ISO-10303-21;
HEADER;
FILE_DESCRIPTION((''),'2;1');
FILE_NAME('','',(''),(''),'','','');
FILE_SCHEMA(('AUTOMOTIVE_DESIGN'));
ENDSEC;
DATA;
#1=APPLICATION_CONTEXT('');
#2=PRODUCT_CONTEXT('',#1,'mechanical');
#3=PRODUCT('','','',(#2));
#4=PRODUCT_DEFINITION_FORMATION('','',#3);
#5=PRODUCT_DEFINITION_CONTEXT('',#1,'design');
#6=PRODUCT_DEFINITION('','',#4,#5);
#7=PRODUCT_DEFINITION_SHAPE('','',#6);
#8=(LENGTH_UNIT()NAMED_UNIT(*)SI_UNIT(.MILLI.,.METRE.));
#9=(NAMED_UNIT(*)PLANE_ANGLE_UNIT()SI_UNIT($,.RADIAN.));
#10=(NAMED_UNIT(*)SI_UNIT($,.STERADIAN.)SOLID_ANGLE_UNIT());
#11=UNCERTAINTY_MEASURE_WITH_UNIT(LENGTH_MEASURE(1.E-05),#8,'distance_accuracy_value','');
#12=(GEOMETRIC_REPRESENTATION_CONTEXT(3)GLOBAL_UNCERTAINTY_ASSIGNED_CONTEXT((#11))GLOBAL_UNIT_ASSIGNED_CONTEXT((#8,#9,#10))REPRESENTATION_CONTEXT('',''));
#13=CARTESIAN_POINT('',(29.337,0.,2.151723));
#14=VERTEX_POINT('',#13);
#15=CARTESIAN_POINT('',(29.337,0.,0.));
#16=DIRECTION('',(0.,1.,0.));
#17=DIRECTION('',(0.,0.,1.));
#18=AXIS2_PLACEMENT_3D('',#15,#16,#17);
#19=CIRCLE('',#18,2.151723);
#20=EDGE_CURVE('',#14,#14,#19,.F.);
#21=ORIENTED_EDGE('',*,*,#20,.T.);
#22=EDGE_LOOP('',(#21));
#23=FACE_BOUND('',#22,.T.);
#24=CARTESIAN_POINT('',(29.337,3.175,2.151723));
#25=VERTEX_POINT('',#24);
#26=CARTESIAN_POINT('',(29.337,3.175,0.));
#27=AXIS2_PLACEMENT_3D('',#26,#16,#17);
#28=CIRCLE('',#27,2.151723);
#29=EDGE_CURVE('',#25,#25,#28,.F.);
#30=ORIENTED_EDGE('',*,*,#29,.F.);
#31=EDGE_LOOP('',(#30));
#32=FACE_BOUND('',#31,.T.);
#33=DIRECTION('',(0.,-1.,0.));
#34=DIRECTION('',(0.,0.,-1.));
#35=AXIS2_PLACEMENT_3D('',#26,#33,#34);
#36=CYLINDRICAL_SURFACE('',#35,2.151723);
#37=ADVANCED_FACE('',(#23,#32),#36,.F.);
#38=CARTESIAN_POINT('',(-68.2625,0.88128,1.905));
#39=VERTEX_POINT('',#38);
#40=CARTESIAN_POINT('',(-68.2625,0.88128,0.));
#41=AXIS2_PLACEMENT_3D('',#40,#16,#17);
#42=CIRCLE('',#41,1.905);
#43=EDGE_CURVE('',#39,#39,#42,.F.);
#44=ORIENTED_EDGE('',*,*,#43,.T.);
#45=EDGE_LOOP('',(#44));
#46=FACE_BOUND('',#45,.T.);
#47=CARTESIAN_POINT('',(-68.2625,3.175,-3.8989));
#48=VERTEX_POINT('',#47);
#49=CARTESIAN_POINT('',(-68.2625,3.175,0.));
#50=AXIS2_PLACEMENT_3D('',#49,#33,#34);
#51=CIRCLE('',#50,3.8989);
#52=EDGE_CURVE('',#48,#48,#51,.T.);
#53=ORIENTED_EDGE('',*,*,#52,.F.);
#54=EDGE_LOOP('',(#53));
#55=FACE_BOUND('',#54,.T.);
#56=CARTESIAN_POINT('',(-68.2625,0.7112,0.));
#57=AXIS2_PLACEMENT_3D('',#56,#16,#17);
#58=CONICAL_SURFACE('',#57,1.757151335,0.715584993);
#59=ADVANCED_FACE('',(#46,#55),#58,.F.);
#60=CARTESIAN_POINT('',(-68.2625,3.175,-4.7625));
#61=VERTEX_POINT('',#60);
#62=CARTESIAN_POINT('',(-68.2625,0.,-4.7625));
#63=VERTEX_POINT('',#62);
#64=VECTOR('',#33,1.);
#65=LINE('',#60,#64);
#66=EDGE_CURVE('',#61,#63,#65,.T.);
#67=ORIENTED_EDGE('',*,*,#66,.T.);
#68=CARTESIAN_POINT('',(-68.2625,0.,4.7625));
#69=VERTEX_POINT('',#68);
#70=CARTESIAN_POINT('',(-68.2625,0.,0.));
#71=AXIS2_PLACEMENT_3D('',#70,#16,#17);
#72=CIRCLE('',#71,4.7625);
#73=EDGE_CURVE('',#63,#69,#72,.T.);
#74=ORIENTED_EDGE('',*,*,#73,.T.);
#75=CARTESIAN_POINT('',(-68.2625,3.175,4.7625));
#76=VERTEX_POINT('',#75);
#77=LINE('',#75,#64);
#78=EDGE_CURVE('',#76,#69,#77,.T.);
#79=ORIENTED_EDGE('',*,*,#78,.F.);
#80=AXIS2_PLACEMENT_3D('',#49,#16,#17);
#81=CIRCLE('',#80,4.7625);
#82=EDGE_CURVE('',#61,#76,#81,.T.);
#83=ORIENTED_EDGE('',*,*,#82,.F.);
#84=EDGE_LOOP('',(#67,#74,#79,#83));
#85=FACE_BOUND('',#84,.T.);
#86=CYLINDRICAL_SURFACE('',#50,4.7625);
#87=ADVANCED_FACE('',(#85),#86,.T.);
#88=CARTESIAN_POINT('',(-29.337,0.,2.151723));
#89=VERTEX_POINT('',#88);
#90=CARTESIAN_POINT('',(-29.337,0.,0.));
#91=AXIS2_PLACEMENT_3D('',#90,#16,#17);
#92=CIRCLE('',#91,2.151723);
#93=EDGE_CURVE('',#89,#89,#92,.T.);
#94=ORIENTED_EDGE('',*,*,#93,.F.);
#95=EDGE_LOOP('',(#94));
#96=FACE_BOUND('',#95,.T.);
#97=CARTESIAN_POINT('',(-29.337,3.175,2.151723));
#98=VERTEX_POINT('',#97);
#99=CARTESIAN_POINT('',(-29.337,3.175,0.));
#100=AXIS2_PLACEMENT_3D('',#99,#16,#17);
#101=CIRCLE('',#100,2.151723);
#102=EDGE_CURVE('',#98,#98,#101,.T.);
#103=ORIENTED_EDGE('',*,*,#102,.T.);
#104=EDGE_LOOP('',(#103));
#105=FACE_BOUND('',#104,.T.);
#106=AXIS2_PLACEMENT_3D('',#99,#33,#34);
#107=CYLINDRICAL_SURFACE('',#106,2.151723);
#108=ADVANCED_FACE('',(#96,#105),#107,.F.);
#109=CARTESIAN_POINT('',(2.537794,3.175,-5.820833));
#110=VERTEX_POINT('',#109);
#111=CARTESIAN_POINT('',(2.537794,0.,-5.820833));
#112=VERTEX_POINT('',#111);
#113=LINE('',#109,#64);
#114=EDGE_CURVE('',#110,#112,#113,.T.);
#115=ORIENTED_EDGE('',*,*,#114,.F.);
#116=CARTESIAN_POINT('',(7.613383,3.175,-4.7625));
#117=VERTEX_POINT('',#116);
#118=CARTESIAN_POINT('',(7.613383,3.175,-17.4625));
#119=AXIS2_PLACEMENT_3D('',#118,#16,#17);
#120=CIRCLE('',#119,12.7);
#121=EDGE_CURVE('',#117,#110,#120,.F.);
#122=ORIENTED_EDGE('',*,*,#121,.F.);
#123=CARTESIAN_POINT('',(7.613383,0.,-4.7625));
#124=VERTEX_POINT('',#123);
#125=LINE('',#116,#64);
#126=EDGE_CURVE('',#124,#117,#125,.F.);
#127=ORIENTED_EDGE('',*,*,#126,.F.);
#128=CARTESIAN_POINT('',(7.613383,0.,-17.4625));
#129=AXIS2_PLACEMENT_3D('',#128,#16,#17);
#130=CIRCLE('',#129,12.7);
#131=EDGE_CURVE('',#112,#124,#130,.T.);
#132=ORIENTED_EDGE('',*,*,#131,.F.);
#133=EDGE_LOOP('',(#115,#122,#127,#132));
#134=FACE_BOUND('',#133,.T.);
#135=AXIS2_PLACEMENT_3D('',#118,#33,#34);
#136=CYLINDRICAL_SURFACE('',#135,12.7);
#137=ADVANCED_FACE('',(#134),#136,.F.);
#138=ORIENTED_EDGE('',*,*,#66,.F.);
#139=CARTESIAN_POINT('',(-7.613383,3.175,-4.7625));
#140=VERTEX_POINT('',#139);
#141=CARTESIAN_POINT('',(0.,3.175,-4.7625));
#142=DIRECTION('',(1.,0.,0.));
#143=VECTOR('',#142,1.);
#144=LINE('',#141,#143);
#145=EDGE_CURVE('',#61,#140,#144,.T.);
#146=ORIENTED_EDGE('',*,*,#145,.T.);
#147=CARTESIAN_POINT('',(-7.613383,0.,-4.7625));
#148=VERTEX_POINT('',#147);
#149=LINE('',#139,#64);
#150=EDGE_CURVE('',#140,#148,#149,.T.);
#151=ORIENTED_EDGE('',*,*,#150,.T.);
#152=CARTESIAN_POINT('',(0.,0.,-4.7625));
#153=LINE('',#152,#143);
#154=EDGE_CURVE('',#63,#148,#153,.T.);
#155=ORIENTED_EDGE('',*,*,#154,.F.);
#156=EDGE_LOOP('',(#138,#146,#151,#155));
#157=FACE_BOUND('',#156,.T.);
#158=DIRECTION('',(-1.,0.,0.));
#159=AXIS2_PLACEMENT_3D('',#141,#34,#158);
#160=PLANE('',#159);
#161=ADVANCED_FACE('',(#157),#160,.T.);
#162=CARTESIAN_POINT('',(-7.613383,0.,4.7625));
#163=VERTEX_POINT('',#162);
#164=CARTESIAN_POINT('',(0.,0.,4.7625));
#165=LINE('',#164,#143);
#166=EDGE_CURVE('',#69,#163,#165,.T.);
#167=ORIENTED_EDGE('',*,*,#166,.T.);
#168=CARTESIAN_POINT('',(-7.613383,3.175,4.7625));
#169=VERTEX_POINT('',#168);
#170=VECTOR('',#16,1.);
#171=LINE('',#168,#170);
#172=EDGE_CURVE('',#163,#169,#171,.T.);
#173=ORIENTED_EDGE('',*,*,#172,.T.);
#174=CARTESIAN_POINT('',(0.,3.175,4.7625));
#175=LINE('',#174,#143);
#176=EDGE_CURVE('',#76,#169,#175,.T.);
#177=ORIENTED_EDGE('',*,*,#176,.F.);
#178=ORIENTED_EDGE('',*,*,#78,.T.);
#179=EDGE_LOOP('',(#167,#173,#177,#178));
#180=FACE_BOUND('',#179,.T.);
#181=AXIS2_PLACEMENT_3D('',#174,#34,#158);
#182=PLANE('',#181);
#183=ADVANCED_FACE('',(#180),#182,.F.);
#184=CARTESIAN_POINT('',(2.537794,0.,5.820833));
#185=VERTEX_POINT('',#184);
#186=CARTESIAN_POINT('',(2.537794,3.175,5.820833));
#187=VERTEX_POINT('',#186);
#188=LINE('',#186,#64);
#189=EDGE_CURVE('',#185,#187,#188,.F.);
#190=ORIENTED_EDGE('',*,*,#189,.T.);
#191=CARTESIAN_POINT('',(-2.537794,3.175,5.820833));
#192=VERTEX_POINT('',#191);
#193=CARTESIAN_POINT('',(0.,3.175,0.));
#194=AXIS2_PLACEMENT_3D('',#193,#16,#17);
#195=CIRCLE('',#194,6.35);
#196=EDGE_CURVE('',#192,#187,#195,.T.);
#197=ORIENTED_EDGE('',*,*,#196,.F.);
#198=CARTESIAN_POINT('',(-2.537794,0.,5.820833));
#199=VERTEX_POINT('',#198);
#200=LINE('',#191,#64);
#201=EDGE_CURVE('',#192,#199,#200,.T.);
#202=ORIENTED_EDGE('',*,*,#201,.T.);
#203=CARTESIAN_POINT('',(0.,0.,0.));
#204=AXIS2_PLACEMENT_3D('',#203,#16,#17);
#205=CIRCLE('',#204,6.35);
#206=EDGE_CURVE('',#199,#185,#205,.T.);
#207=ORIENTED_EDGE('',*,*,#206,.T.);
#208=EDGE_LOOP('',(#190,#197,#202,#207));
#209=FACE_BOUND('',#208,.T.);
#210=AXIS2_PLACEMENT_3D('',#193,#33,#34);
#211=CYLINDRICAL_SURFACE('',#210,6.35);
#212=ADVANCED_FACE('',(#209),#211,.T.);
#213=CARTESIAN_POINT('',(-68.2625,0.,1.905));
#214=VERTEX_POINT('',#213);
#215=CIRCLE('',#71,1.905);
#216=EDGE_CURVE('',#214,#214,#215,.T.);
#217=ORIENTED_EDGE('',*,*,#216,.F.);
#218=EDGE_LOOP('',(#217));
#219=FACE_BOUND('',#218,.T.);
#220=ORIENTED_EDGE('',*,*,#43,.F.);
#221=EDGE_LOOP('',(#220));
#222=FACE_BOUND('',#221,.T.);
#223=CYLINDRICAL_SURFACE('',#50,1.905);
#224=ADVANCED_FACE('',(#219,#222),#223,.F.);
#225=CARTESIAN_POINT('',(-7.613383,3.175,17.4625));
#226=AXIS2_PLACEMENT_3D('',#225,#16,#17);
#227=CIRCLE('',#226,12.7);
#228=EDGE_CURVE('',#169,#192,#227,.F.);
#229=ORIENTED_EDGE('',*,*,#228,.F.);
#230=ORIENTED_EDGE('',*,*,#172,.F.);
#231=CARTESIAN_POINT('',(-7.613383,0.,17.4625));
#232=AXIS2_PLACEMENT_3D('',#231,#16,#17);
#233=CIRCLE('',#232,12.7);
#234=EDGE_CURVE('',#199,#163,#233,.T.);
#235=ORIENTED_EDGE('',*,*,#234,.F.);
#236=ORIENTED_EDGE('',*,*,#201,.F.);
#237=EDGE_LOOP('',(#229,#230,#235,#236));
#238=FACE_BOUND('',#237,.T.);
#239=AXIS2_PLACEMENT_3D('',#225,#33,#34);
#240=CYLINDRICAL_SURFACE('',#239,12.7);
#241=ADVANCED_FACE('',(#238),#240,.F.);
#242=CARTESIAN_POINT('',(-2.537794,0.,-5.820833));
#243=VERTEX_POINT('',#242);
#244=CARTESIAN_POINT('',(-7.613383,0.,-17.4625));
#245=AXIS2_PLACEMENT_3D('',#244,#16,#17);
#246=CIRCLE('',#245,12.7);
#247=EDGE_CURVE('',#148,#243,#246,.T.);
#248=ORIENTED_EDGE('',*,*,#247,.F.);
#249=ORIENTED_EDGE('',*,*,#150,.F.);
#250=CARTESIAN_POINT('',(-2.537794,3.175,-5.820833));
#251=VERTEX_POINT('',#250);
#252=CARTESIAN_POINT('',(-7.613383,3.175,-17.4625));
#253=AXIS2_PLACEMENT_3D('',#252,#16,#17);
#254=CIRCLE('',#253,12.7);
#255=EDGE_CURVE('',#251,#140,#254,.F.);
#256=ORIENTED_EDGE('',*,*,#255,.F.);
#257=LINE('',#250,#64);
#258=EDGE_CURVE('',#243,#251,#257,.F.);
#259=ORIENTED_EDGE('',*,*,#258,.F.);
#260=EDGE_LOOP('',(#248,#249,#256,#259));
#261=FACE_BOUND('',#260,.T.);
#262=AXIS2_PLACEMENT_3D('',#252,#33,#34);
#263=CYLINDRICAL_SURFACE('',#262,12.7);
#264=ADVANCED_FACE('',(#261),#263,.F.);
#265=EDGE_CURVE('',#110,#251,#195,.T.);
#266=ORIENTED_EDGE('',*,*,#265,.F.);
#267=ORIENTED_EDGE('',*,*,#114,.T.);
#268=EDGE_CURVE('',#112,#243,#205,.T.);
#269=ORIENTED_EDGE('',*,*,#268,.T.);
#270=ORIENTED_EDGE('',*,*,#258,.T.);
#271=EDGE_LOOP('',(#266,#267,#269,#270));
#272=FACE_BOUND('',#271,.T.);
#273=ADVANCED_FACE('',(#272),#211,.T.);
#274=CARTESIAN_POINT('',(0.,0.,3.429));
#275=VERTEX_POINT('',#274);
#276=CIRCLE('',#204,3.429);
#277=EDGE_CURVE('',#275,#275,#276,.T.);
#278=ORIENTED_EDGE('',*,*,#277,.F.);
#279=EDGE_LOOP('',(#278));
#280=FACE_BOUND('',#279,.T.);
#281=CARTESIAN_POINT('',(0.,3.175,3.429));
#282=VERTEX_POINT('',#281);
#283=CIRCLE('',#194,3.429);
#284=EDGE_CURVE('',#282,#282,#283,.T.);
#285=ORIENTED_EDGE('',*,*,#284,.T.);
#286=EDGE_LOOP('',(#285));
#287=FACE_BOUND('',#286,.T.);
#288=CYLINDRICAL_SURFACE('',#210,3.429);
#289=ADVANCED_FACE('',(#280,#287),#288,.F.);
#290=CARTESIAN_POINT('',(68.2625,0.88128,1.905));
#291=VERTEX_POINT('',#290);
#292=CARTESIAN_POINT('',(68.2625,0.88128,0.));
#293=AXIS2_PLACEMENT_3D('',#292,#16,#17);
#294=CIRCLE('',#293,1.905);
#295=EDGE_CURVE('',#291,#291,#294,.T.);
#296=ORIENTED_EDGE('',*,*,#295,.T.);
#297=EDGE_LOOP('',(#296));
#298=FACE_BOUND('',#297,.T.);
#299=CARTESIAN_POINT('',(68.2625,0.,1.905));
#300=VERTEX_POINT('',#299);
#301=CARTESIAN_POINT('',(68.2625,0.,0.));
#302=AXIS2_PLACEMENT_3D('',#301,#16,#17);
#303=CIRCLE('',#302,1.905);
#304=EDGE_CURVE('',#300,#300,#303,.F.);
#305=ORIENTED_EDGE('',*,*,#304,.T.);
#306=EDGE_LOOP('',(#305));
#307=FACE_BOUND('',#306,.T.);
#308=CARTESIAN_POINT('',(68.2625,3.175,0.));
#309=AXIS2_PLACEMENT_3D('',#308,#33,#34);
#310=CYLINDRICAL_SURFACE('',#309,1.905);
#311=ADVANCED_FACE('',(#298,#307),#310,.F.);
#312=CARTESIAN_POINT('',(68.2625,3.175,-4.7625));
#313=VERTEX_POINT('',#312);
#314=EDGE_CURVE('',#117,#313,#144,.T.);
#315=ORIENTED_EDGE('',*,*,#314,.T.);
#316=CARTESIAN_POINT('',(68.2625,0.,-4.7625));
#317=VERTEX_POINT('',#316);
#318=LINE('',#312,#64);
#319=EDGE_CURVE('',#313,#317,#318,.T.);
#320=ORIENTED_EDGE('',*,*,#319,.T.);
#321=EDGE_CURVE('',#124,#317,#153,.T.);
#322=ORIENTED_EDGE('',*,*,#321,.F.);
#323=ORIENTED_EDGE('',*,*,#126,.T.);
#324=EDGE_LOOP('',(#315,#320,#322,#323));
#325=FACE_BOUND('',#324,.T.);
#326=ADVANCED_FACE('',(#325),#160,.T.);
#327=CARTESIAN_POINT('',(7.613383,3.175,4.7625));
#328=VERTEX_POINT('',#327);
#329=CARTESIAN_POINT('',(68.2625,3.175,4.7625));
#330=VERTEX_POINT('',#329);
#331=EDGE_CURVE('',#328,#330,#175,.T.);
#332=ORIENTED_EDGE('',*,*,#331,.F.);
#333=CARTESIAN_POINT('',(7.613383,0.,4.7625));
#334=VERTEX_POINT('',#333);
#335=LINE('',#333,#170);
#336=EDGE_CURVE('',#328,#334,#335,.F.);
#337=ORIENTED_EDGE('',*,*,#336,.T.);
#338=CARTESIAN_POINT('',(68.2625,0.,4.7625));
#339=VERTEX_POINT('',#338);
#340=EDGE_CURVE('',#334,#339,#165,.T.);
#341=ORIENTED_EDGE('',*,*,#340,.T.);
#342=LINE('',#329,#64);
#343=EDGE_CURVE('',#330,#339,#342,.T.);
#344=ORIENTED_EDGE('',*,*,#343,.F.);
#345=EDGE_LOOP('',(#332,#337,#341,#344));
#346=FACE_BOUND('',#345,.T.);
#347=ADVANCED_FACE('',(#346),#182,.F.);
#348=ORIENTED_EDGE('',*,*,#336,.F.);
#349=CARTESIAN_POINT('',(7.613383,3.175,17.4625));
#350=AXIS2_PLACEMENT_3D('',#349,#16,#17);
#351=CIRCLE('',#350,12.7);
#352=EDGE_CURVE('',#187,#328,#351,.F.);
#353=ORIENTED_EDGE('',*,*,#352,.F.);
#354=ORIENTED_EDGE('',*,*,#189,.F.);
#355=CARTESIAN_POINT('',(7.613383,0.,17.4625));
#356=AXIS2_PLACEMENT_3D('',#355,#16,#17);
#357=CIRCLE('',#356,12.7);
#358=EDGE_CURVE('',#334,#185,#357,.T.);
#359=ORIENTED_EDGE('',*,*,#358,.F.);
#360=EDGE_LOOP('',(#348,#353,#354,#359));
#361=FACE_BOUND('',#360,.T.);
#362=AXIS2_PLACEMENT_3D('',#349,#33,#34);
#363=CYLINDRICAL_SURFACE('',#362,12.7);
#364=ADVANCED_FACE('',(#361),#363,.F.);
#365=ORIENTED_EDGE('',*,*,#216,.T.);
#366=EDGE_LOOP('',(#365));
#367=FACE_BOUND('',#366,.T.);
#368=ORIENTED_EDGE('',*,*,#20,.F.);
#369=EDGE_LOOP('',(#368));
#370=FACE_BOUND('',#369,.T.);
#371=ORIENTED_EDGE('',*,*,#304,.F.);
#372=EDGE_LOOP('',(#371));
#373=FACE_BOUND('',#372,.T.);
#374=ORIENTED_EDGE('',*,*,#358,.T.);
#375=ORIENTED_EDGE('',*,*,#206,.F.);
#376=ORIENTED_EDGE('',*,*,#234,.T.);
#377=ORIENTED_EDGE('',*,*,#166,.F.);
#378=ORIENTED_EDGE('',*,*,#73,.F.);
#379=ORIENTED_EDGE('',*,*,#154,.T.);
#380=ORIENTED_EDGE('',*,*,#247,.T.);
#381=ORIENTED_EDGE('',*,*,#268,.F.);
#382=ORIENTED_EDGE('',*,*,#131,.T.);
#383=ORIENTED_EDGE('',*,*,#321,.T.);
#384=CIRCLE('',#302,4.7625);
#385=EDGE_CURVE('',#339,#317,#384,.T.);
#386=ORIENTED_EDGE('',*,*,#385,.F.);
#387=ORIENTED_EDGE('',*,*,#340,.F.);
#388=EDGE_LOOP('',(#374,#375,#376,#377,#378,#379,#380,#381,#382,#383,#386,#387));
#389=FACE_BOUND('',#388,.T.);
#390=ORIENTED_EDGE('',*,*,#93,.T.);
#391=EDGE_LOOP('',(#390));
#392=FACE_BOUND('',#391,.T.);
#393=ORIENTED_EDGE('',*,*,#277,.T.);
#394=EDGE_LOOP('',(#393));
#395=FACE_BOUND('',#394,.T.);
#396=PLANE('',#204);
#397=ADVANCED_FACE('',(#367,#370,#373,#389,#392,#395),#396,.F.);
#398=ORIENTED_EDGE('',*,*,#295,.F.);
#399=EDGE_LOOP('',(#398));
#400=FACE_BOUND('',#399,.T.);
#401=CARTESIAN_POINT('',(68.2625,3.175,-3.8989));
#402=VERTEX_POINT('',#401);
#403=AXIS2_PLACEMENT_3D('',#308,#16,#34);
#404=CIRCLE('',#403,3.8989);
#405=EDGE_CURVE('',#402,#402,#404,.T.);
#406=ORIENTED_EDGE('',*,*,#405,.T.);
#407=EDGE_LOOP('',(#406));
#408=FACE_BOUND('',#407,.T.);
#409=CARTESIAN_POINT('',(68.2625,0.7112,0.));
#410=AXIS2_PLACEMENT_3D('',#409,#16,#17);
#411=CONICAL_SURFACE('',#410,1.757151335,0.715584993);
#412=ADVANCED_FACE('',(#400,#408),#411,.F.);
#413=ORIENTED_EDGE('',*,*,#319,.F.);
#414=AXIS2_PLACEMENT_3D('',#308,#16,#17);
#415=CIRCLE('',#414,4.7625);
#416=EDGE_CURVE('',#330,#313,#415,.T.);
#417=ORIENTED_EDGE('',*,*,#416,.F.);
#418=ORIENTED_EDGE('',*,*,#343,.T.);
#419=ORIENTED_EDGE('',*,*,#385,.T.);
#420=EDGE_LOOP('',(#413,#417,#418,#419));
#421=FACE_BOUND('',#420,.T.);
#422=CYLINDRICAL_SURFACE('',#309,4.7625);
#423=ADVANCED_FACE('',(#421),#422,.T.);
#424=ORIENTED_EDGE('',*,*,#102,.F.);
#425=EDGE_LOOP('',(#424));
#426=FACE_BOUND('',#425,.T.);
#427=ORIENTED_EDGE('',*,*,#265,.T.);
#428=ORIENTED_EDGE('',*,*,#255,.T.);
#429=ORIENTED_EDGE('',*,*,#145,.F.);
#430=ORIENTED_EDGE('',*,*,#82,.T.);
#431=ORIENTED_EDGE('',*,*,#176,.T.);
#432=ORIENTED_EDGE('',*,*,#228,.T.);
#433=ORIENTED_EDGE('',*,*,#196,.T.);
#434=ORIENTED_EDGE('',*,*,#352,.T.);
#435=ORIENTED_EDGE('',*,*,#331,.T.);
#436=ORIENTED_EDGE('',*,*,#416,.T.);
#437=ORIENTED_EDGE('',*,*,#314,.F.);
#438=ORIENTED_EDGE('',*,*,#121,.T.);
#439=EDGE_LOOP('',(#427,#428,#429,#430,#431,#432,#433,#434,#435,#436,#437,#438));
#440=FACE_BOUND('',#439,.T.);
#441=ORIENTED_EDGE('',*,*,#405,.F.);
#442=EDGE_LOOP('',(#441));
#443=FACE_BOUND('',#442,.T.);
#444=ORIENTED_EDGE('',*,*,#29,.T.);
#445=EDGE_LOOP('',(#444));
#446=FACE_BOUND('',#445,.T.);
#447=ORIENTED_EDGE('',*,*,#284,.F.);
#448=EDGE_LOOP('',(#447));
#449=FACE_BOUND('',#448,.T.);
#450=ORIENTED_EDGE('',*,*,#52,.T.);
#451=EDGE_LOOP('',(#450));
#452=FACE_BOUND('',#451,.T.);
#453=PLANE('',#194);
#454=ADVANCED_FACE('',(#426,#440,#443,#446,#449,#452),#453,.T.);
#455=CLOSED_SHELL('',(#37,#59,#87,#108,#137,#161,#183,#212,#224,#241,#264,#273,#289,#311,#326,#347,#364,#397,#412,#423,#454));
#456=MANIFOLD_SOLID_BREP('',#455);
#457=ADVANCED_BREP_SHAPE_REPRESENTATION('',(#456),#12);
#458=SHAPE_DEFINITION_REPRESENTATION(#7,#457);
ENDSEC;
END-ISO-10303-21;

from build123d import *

# Parameters (mm, degrees)
SKETCH1_R           = 1.905
SKETCH1_R_2         = 2.151722897
SKETCH1_R_3         = 3.429
BOSS_EXTRUDE1_DEPTH = 3.175
FILLET1_R           = 12.7


with BuildPart() as part:
    # Sketch1 → Boss-Extrude1 (new body)
    with BuildSketch(Plane(origin=(0, 0, 0), x_dir=(1, 0, 0), z_dir=(0, 1, 0))):
        with BuildLine():
            Line((-4.200130206, 4.7625), (-68.2625, 4.7625))
            ThreePointArc((-68.2625, 4.7625), (-73.025, 0), (-68.2625, -4.7625))
            Line((-68.2625, -4.7625), (-4.200130206, -4.7625))
            ThreePointArc((-4.200130206, -4.7625), (0, -6.35), (4.200130206, -4.7625))
            Line((4.200130206, -4.7625), (68.2625, -4.7625))
            ThreePointArc((68.2625, -4.7625), (73.025, 0), (68.2625, 4.7625))
            Line((68.2625, 4.7625), (4.200130206, 4.7625))
            ThreePointArc((4.200130206, 4.7625), (0, 6.35), (-4.200130206, 4.7625))
        make_face()
        with Locations((-68.2625, 0)):
            Circle(SKETCH1_R, mode=Mode.SUBTRACT)
        with Locations((-29.337, 0)):
            Circle(SKETCH1_R_2, mode=Mode.SUBTRACT)
        Circle(SKETCH1_R_3, mode=Mode.SUBTRACT)
        with Locations((68.2625, 0)):
            Circle(SKETCH1_R, mode=Mode.SUBTRACT)
        with Locations((29.337, 0)):
            Circle(SKETCH1_R_2, mode=Mode.SUBTRACT)
    extrude(amount=BOSS_EXTRUDE1_DEPTH)

    # Fillet1
    fillet1_edges = [part.edges().sort_by_distance(p)[0] for p in [
        (-4.200130206, 1.5875, -4.7625),
        (4.200130206, 1.5875, -4.7625),
        (4.200130206, 1.5875, 4.7625),
        (-4.200130206, 1.5875, 4.7625),
    ]]
    fillet(fillet1_edges, radius=FILLET1_R)

    # Sketch5 → Cut-Revolve2 (revolve, cut)
    with BuildSketch(Plane.XY):
        Polygon((-64.3636, 3.175), (-66.505348665, 0.7112), (-66.505348665, 3.175), align=None)
    cut_revolve2 = revolve(axis=Axis((-68.2625, 0, 0), (0, 1, 0)), mode=Mode.SUBTRACT)

    # Mirror1: Cut-Revolve2 across plane
    add(cut_revolve2.mirror(Plane(origin=(0, 0, 0), x_dir=(0, 0, 1), z_dir=(1, 0, 0))), mode=Mode.SUBTRACT)


solid = part.part
